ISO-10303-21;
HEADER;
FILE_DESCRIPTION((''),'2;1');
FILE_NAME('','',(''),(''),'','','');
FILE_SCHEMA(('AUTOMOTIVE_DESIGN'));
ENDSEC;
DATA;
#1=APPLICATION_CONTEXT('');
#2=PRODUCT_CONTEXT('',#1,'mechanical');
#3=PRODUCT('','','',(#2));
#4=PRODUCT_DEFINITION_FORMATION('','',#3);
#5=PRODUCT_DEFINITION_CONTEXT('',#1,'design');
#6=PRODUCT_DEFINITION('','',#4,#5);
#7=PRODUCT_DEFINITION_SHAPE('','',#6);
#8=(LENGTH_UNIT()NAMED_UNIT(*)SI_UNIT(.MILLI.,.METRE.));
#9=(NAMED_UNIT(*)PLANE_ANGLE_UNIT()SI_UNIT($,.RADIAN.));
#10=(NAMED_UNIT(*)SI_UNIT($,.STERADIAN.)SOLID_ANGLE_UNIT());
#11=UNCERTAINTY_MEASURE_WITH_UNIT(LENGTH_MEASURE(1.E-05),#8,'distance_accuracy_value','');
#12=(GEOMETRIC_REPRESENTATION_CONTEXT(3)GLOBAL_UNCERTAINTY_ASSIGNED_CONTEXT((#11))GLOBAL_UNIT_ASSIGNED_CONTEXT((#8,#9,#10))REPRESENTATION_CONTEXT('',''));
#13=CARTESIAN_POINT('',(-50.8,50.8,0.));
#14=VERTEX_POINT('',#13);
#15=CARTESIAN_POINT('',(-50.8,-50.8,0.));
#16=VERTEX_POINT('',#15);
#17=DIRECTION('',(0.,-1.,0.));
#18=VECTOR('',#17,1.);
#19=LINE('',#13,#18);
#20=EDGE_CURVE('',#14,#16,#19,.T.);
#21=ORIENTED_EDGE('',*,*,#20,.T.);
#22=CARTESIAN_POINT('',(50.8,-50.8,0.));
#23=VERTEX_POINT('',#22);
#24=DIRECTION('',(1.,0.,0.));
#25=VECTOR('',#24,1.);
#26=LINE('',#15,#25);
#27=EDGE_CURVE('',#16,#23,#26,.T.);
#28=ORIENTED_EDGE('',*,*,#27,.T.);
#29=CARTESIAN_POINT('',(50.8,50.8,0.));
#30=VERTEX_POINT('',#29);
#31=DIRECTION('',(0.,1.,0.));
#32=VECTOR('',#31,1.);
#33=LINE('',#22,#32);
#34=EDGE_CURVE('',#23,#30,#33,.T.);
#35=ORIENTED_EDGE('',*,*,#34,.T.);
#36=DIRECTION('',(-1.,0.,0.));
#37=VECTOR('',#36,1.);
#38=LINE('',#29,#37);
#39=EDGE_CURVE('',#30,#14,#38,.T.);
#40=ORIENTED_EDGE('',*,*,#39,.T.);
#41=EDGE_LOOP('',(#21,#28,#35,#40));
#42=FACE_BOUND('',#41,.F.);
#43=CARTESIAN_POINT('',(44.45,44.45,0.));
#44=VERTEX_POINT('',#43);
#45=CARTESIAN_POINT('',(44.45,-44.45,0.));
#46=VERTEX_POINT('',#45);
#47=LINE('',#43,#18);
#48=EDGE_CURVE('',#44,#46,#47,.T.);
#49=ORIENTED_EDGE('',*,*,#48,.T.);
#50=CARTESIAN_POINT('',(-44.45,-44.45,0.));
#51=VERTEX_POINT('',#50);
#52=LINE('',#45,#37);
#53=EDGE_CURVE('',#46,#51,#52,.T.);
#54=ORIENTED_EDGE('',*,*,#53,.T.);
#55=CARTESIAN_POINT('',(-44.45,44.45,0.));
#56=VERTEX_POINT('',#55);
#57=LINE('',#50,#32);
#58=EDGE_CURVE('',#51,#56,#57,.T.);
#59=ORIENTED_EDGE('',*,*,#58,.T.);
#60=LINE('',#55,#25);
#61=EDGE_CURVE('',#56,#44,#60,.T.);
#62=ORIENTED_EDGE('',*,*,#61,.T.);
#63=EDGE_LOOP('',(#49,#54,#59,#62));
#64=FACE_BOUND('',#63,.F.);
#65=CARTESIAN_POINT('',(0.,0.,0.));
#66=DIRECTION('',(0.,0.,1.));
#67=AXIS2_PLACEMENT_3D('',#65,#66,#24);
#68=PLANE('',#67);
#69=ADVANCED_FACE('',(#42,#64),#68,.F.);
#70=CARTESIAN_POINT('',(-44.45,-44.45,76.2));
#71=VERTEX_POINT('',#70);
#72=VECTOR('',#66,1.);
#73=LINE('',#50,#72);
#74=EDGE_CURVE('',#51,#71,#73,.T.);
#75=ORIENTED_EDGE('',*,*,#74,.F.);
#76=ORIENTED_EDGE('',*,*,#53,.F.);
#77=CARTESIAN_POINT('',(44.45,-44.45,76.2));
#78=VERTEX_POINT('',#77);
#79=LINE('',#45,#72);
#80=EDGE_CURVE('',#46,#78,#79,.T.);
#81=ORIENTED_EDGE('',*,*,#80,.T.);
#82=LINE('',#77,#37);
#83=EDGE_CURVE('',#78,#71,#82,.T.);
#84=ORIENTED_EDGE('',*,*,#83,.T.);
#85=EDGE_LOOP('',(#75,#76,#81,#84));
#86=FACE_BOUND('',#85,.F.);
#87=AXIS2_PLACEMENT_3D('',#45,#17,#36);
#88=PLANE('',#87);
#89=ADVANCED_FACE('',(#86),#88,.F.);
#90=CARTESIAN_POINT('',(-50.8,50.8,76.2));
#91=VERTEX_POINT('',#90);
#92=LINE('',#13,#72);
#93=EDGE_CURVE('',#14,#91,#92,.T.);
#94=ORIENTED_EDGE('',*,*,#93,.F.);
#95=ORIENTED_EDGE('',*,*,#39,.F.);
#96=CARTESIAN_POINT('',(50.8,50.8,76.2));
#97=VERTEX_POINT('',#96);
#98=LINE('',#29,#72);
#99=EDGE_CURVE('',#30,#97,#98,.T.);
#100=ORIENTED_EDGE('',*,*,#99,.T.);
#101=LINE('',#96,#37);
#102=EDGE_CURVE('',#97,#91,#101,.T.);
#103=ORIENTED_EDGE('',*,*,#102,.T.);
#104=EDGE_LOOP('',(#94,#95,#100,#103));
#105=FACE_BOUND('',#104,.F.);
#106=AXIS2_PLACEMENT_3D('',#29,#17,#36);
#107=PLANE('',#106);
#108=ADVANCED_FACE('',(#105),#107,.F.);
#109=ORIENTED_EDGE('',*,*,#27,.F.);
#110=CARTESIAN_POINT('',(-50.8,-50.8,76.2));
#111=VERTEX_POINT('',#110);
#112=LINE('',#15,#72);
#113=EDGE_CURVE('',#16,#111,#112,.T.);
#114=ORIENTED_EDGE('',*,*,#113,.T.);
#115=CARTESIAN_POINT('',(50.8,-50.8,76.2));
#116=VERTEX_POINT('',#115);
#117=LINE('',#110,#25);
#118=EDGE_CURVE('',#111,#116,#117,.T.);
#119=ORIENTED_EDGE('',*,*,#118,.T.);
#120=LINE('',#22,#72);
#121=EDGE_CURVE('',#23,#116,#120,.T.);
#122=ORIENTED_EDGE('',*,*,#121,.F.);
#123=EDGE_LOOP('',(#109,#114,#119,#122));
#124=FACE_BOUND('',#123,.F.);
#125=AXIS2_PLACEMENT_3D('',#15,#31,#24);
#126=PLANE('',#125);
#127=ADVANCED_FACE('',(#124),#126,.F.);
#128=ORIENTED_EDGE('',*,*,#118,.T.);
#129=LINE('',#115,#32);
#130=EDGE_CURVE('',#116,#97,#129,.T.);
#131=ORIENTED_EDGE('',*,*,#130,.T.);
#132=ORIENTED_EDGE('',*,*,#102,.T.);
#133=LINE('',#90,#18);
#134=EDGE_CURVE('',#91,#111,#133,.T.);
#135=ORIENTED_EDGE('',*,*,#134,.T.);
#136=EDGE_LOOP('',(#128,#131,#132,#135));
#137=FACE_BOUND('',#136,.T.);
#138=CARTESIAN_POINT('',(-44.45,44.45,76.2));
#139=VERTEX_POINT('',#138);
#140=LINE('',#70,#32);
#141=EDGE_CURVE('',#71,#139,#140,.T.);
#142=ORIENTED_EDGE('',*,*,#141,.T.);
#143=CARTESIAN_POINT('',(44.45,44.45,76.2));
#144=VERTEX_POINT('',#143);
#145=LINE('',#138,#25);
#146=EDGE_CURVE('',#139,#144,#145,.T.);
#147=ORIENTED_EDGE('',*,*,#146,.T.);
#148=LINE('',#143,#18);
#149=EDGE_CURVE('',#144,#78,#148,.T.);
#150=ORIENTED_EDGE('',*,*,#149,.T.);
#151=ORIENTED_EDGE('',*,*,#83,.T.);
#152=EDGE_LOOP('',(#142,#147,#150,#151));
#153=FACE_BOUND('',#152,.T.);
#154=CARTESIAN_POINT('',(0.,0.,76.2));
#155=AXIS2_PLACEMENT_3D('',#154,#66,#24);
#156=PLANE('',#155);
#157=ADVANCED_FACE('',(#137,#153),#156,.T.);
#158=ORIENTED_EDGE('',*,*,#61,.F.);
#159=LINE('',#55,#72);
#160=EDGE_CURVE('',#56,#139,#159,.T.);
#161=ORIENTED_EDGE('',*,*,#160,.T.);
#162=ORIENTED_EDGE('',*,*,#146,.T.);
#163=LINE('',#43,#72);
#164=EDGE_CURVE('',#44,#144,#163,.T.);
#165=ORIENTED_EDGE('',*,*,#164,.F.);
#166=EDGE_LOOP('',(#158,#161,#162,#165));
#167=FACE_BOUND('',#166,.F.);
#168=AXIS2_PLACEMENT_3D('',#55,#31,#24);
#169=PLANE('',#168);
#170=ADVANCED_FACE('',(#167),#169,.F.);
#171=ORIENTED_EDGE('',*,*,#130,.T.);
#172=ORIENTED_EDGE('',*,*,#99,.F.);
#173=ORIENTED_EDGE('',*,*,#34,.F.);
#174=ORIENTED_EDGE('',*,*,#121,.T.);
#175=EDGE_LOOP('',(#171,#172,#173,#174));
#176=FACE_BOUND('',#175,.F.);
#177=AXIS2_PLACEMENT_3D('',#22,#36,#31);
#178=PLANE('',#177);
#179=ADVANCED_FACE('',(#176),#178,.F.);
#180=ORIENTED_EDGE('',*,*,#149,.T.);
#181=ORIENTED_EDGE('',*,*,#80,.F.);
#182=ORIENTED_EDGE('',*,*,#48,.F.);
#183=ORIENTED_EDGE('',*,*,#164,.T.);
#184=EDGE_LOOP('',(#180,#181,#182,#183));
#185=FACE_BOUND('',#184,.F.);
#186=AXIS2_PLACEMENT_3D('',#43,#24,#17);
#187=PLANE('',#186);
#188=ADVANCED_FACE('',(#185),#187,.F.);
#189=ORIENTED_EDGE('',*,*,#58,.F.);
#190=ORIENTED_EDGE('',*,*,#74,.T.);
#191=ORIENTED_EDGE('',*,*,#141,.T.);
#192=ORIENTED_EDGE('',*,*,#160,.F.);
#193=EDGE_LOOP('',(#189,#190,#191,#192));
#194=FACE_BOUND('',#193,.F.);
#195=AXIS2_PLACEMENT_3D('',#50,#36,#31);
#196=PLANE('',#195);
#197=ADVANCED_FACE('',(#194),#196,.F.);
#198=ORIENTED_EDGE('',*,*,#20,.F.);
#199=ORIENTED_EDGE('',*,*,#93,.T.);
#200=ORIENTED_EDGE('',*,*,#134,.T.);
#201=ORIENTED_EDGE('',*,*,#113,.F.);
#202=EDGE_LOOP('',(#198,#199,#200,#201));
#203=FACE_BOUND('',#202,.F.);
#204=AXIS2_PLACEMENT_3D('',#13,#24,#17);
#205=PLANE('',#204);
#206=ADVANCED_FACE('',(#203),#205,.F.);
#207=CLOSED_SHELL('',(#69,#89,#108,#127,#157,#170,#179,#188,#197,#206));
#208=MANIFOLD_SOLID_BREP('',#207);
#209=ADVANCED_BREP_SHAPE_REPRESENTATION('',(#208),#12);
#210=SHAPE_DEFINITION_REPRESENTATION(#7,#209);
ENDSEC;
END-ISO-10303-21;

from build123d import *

# Parameters (mm, degrees)
F1_DEPTH = 76.2


with BuildPart() as f1:
    # F0 (on Top) → F1 (new body)
    with BuildSketch(Plane.XY):
        Polygon((50.8, -50.8), (50.8, 50.8), (0, 50.8), (-50.8, 50.8), (-50.8, -50.8), align=None)
        Polygon((-44.45, 44.45), (0, 44.45), (44.45, 44.45), (44.45, 0), (44.45, -44.45), (0, -44.45), (-44.45, -44.45), (-44.45, 0), align=None, mode=Mode.SUBTRACT)
    extrude(amount=F1_DEPTH)


solid = f1.part
